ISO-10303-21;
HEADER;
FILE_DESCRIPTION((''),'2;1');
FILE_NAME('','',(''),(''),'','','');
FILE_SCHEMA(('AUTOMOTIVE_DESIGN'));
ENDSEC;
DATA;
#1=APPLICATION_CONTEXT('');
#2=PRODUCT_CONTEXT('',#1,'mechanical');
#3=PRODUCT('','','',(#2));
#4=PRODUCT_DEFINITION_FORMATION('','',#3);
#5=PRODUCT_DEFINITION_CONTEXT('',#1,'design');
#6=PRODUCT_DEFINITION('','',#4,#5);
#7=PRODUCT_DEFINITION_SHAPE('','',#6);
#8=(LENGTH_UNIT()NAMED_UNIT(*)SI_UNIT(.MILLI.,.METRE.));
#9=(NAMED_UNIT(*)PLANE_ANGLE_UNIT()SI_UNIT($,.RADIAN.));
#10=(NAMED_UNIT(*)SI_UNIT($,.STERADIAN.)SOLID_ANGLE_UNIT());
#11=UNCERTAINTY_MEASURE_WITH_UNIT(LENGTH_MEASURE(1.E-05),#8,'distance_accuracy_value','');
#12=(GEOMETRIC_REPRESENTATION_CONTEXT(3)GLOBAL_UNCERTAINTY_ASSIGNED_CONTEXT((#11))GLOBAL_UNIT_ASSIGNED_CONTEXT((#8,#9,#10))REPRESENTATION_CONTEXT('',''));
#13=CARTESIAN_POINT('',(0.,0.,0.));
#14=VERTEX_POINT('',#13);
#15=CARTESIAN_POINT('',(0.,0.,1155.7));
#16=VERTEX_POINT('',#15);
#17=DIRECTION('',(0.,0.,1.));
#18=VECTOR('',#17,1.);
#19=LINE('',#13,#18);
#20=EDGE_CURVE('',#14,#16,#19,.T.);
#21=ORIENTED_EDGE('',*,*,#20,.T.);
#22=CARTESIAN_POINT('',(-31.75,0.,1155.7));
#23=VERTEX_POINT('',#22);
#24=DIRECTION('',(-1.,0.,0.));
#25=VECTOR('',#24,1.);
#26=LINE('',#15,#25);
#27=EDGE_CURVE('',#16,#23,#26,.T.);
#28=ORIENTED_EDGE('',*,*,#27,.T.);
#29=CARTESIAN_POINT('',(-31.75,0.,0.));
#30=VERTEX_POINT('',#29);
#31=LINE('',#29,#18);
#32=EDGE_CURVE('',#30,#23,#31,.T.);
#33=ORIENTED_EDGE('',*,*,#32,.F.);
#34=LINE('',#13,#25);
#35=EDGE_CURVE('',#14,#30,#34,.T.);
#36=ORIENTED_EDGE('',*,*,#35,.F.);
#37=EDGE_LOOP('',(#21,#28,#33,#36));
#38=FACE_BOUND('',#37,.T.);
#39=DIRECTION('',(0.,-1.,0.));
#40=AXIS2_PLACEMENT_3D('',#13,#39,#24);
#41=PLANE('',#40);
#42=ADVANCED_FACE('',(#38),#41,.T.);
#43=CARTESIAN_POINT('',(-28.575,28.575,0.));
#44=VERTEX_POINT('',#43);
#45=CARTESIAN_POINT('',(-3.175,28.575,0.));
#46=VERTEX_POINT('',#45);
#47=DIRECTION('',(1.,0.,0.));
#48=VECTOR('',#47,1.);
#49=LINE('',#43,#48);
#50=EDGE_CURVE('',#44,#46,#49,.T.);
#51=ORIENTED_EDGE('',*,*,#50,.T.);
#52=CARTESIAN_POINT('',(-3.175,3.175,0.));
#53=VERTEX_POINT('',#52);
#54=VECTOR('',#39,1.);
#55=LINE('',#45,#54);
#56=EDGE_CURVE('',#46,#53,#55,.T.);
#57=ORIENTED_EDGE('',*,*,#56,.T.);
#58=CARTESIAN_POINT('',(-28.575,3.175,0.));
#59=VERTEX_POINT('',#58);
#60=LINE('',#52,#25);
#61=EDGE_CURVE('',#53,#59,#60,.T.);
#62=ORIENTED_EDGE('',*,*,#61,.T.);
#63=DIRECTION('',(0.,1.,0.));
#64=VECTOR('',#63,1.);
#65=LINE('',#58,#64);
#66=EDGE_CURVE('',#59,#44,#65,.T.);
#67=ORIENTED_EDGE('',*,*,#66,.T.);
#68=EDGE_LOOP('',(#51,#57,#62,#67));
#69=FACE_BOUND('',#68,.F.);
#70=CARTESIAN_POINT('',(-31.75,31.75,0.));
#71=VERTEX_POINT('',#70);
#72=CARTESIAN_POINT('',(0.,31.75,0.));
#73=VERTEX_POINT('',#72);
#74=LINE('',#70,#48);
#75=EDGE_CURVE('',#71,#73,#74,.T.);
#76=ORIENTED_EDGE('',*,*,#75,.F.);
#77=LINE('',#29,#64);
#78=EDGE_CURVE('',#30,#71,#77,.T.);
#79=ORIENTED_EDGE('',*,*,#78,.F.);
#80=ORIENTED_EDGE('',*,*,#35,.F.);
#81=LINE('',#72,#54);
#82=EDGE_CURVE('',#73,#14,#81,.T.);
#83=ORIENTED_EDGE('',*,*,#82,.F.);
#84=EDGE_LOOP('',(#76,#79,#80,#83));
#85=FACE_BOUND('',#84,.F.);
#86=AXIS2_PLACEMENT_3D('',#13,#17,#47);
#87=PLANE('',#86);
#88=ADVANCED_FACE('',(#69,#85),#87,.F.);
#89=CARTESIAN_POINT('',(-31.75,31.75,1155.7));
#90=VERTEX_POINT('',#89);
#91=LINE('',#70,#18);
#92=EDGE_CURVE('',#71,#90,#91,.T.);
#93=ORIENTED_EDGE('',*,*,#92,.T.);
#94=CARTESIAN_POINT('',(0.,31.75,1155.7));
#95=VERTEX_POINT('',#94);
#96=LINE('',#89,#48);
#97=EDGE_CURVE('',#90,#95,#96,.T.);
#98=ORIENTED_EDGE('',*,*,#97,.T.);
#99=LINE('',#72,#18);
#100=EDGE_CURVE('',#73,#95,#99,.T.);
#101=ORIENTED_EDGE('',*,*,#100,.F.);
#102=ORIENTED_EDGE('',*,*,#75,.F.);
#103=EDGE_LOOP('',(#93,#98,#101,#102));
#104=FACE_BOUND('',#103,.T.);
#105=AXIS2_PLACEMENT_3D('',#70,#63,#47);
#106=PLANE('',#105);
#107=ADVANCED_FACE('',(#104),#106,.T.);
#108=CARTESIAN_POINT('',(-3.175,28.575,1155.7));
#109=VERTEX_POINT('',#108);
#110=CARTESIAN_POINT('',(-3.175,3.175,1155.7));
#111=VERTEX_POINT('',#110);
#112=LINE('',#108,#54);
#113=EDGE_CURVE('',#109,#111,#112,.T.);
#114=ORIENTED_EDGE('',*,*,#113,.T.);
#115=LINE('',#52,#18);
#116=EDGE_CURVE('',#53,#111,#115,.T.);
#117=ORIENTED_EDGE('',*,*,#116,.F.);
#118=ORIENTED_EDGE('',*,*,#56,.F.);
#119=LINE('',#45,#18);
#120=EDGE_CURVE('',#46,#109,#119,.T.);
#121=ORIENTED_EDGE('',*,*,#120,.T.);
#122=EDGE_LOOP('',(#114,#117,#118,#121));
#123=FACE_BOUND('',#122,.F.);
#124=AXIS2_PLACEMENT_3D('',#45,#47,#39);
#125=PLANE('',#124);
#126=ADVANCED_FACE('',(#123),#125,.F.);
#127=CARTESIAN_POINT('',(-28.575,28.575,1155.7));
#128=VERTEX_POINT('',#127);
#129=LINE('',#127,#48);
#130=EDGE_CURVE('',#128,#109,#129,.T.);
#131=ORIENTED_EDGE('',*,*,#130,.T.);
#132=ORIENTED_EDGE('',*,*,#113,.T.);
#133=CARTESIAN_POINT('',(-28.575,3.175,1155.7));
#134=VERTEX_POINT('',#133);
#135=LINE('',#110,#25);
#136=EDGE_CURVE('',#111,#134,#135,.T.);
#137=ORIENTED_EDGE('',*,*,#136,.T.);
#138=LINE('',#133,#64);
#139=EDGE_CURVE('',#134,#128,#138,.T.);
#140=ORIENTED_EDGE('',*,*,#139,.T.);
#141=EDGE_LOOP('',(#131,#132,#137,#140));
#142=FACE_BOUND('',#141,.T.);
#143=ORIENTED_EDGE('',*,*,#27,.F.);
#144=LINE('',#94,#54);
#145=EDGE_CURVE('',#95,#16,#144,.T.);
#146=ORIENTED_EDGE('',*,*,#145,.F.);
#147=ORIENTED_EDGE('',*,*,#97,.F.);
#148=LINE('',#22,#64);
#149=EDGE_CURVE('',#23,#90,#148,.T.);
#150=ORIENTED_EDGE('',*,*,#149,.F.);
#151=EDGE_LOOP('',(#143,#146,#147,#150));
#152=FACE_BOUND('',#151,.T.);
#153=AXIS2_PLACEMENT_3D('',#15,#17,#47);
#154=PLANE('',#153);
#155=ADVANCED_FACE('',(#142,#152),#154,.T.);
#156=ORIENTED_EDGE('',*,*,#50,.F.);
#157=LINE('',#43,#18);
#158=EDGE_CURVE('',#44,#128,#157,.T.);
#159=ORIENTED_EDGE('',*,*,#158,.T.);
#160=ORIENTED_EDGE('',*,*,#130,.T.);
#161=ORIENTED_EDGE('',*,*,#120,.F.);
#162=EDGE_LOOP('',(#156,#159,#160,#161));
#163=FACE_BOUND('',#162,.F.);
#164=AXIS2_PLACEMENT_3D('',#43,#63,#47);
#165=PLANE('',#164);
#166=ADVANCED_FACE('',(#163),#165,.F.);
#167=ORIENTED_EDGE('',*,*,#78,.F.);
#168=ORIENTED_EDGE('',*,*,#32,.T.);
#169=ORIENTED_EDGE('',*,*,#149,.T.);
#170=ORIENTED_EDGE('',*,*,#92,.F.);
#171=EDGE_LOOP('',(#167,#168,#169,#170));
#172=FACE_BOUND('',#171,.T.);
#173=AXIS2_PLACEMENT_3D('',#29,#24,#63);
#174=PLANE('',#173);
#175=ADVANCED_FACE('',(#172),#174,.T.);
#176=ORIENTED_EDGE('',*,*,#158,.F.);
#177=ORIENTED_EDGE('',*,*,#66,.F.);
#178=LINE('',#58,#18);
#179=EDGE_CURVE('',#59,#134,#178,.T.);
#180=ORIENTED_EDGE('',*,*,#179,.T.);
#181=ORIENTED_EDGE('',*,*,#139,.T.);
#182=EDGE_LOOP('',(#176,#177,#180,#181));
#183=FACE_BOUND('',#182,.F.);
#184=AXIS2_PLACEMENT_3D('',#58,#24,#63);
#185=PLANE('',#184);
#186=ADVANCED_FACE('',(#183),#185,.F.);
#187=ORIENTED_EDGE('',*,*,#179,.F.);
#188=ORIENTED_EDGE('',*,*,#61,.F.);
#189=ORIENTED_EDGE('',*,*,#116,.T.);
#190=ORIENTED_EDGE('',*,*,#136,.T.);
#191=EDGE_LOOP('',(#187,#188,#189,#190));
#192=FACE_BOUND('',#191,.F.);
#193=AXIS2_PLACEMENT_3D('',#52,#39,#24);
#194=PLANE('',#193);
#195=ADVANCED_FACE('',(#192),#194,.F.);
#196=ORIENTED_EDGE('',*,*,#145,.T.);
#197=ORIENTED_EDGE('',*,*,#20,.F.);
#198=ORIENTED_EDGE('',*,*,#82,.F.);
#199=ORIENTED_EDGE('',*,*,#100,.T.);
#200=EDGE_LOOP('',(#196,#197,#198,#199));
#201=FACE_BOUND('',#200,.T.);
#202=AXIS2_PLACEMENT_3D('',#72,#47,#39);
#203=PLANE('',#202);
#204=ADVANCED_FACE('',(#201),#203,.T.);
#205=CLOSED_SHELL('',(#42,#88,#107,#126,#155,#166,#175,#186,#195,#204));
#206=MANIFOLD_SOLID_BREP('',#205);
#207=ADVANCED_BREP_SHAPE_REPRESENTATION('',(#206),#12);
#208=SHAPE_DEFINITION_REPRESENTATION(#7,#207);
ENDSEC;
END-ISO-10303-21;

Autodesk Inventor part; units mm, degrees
ref_plane "YZ Plane" through (0, 0, 0) normal (1, 0, 0) x (0, 1, 0)
ref_plane "XZ Plane" through (0, 0, 0) normal (0, 1, 0) x (-1, 0, 0)
ref_plane "XY Plane" through (0, 0, 0) normal (0, 0, 1) x (1, 0, 0)
sketch "Sketch1" plane through (0, 0, 0) normal (0, 0, 1) x (1, 0, 0)
  line L0 (0, 0) -> (-31.75, 0)
  line L1 (-31.75, 0) -> (-31.75, 31.75)
  line L2 (-31.75, 31.75) -> (0, 31.75)
  line L3 (0, 31.75) -> (0, 0)
  line L4 (-3.175, 3.175) -> (-28.575, 3.175)
  line L5 (-28.575, 3.175) -> (-28.575, 28.575)
  line L6 (-28.575, 28.575) -> (-3.175, 28.575)
  line L7 (-3.175, 28.575) -> (-3.175, 3.175)
  dimension "d0" = 3.175
  dimension "d1" = 31.75
extrude "Extrusion1" add sketch "Sketch1" along normal blind 1155.7
properties part number "GE-12092-02"
